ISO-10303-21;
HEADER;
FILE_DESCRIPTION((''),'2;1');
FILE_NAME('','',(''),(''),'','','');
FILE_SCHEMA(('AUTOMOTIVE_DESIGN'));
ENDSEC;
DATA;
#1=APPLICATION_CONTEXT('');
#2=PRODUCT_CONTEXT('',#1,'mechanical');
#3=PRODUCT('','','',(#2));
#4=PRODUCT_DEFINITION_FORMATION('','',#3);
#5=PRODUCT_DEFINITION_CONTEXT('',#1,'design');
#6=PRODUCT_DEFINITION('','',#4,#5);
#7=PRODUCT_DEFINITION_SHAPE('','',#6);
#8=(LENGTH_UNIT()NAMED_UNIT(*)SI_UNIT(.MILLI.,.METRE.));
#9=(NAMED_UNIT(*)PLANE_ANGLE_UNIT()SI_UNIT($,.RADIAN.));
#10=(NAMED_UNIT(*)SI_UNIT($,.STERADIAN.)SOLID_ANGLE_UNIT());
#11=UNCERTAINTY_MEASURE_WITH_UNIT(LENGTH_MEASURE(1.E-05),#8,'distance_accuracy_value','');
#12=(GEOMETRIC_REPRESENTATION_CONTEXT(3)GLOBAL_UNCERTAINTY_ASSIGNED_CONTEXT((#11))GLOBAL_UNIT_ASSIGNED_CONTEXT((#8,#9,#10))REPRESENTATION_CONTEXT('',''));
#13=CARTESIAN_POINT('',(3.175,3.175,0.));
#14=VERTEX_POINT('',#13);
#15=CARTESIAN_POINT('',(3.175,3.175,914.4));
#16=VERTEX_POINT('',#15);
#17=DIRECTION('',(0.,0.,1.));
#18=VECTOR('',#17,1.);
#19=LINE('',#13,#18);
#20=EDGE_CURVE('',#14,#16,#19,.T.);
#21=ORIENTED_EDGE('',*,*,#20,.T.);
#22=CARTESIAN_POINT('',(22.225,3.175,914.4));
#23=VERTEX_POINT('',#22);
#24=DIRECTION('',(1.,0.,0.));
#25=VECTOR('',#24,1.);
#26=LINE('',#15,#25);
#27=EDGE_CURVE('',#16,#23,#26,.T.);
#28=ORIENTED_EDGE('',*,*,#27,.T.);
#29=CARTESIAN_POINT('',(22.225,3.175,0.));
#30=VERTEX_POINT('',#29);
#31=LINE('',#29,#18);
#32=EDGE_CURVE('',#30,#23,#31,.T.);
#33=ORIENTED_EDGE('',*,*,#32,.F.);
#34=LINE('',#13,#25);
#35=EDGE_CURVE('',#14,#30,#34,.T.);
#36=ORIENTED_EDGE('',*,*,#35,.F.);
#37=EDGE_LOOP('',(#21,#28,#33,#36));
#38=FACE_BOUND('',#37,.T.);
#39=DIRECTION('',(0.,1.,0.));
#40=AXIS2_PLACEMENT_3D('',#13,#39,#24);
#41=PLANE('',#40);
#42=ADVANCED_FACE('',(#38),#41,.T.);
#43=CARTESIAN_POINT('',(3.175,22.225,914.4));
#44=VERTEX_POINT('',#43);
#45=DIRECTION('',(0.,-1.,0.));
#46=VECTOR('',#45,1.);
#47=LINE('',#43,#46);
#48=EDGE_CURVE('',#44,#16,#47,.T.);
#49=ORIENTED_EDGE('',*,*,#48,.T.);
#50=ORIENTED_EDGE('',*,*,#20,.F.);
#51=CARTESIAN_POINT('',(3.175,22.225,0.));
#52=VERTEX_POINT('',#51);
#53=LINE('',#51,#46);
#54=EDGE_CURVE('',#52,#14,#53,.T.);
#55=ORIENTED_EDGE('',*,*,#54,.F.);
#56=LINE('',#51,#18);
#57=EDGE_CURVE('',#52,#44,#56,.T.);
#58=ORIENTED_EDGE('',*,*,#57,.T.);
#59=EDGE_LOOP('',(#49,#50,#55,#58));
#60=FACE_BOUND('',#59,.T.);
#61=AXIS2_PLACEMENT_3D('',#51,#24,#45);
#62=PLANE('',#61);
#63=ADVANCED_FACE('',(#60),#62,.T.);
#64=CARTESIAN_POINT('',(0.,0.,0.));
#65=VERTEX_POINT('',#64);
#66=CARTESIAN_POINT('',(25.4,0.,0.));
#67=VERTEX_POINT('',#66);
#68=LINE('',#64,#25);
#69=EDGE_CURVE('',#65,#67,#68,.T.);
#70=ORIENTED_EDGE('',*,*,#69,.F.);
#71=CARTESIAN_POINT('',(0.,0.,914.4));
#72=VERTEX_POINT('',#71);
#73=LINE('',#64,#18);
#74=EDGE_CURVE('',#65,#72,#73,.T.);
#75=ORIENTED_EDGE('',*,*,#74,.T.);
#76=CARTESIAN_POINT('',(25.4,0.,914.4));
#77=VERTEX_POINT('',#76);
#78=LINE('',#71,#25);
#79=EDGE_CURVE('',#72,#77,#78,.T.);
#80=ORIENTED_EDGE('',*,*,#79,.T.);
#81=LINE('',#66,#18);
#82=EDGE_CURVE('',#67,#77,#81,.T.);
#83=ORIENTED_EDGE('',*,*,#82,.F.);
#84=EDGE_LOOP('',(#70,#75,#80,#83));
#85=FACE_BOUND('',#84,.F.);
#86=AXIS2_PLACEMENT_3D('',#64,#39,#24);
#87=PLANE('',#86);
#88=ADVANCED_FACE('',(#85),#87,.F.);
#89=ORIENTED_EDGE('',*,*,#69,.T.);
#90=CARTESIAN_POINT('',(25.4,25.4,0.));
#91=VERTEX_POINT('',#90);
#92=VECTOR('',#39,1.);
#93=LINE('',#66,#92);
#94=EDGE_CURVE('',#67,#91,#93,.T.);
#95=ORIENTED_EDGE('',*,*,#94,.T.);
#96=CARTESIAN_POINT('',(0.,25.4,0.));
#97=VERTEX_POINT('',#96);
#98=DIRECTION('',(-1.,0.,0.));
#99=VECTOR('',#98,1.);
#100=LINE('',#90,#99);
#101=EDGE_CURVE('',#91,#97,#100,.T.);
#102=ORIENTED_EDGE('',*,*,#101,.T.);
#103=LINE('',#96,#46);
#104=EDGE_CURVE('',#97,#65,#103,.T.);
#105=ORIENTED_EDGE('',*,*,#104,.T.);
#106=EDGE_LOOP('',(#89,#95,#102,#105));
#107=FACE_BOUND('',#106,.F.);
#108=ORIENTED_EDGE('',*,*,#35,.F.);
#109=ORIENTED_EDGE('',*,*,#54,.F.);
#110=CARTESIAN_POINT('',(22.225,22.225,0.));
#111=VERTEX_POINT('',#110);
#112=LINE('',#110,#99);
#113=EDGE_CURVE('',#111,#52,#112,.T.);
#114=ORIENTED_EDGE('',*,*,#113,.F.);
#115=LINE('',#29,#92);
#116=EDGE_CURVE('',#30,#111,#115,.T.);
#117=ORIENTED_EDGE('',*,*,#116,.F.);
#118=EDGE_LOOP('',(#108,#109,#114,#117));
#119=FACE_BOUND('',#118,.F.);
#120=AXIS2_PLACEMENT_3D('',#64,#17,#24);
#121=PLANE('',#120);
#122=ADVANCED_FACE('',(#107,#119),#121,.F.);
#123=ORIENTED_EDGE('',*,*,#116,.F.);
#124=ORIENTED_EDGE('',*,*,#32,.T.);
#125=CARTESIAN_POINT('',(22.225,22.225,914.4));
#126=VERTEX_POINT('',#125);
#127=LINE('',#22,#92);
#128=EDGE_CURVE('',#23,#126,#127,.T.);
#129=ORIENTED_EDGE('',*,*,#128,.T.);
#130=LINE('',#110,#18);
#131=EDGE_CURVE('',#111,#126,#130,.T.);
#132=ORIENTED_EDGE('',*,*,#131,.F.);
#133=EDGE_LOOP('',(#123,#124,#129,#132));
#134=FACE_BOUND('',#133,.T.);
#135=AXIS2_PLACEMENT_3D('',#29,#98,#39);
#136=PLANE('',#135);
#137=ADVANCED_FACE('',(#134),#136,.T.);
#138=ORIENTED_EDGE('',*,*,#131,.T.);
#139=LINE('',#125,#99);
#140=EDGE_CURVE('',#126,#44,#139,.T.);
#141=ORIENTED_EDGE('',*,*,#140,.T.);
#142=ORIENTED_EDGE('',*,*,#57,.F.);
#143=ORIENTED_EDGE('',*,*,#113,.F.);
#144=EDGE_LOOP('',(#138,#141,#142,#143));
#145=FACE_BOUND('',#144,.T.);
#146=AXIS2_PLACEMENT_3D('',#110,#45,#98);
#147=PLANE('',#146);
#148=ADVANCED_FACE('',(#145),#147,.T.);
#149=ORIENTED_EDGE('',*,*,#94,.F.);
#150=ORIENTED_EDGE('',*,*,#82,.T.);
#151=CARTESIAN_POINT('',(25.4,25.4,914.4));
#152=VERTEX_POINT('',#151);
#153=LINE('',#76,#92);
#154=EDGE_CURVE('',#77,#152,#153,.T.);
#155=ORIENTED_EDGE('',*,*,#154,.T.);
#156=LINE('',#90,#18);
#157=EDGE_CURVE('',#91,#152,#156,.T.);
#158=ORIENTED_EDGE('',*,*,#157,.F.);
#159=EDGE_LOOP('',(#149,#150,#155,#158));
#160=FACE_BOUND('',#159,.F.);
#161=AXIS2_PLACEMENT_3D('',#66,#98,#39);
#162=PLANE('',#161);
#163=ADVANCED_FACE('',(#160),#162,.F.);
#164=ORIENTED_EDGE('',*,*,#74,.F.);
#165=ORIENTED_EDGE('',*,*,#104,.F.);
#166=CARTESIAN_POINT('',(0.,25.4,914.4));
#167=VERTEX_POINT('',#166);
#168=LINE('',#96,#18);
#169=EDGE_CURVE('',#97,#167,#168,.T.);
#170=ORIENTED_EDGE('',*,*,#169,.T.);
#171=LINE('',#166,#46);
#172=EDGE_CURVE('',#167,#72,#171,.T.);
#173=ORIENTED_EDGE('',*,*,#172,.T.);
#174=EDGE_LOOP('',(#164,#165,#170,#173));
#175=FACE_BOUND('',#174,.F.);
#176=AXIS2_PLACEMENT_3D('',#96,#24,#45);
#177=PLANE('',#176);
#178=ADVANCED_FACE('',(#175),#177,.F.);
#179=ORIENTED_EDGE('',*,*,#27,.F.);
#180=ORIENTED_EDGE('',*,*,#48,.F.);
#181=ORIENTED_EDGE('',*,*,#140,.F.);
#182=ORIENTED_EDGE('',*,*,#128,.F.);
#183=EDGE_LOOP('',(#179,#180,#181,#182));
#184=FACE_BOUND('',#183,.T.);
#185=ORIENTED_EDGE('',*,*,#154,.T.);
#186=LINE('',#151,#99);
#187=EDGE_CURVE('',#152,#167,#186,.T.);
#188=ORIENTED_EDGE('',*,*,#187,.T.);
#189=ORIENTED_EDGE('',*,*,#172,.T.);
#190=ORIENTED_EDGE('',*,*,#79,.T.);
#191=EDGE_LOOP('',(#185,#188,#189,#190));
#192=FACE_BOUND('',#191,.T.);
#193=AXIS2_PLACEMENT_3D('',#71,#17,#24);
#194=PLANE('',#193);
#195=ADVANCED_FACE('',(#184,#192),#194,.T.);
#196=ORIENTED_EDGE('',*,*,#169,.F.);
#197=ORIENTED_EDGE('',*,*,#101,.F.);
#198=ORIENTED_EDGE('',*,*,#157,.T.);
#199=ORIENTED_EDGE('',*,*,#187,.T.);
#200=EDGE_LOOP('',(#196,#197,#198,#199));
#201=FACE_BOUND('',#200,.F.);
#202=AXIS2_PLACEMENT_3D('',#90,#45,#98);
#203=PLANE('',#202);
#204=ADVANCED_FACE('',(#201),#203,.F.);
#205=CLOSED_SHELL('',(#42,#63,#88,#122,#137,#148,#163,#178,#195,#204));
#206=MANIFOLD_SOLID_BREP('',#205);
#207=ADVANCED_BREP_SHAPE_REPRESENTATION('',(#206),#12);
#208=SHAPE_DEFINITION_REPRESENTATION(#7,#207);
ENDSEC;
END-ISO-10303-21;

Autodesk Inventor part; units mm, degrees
ref_plane "YZ Plane" through (0, 0, 0) normal (1, 0, 0) x (0, 1, 0)
ref_plane "XZ Plane" through (0, 0, 0) normal (0, 1, 0) x (-1, 0, 0)
ref_plane "XY Plane" through (0, 0, 0) normal (0, 0, 1) x (1, 0, 0)
sketch "Sketch1" plane through (0, 0, 0) normal (0, 0, 1) x (1, 0, 0)
  line L0 (0, 0) -> (25.4, 0)
  line L1 (25.4, 0) -> (25.4, 25.4)
  line L2 (25.4, 25.4) -> (0, 25.4)
  line L3 (0, 25.4) -> (0, 0)
  line L4 (3.175, 3.175) -> (22.225, 3.175)
  line L5 (22.225, 3.175) -> (22.225, 22.225)
  line L6 (22.225, 22.225) -> (3.175, 22.225)
  line L7 (3.175, 22.225) -> (3.175, 3.175)
  dimension "d0" = 25.4
  dimension "d1" = 25.4
  dimension "d2" = 3.175
extrude "Extrusion1" add sketch "Sketch1" along normal blind 914.4
properties part number "1x1 35in"
